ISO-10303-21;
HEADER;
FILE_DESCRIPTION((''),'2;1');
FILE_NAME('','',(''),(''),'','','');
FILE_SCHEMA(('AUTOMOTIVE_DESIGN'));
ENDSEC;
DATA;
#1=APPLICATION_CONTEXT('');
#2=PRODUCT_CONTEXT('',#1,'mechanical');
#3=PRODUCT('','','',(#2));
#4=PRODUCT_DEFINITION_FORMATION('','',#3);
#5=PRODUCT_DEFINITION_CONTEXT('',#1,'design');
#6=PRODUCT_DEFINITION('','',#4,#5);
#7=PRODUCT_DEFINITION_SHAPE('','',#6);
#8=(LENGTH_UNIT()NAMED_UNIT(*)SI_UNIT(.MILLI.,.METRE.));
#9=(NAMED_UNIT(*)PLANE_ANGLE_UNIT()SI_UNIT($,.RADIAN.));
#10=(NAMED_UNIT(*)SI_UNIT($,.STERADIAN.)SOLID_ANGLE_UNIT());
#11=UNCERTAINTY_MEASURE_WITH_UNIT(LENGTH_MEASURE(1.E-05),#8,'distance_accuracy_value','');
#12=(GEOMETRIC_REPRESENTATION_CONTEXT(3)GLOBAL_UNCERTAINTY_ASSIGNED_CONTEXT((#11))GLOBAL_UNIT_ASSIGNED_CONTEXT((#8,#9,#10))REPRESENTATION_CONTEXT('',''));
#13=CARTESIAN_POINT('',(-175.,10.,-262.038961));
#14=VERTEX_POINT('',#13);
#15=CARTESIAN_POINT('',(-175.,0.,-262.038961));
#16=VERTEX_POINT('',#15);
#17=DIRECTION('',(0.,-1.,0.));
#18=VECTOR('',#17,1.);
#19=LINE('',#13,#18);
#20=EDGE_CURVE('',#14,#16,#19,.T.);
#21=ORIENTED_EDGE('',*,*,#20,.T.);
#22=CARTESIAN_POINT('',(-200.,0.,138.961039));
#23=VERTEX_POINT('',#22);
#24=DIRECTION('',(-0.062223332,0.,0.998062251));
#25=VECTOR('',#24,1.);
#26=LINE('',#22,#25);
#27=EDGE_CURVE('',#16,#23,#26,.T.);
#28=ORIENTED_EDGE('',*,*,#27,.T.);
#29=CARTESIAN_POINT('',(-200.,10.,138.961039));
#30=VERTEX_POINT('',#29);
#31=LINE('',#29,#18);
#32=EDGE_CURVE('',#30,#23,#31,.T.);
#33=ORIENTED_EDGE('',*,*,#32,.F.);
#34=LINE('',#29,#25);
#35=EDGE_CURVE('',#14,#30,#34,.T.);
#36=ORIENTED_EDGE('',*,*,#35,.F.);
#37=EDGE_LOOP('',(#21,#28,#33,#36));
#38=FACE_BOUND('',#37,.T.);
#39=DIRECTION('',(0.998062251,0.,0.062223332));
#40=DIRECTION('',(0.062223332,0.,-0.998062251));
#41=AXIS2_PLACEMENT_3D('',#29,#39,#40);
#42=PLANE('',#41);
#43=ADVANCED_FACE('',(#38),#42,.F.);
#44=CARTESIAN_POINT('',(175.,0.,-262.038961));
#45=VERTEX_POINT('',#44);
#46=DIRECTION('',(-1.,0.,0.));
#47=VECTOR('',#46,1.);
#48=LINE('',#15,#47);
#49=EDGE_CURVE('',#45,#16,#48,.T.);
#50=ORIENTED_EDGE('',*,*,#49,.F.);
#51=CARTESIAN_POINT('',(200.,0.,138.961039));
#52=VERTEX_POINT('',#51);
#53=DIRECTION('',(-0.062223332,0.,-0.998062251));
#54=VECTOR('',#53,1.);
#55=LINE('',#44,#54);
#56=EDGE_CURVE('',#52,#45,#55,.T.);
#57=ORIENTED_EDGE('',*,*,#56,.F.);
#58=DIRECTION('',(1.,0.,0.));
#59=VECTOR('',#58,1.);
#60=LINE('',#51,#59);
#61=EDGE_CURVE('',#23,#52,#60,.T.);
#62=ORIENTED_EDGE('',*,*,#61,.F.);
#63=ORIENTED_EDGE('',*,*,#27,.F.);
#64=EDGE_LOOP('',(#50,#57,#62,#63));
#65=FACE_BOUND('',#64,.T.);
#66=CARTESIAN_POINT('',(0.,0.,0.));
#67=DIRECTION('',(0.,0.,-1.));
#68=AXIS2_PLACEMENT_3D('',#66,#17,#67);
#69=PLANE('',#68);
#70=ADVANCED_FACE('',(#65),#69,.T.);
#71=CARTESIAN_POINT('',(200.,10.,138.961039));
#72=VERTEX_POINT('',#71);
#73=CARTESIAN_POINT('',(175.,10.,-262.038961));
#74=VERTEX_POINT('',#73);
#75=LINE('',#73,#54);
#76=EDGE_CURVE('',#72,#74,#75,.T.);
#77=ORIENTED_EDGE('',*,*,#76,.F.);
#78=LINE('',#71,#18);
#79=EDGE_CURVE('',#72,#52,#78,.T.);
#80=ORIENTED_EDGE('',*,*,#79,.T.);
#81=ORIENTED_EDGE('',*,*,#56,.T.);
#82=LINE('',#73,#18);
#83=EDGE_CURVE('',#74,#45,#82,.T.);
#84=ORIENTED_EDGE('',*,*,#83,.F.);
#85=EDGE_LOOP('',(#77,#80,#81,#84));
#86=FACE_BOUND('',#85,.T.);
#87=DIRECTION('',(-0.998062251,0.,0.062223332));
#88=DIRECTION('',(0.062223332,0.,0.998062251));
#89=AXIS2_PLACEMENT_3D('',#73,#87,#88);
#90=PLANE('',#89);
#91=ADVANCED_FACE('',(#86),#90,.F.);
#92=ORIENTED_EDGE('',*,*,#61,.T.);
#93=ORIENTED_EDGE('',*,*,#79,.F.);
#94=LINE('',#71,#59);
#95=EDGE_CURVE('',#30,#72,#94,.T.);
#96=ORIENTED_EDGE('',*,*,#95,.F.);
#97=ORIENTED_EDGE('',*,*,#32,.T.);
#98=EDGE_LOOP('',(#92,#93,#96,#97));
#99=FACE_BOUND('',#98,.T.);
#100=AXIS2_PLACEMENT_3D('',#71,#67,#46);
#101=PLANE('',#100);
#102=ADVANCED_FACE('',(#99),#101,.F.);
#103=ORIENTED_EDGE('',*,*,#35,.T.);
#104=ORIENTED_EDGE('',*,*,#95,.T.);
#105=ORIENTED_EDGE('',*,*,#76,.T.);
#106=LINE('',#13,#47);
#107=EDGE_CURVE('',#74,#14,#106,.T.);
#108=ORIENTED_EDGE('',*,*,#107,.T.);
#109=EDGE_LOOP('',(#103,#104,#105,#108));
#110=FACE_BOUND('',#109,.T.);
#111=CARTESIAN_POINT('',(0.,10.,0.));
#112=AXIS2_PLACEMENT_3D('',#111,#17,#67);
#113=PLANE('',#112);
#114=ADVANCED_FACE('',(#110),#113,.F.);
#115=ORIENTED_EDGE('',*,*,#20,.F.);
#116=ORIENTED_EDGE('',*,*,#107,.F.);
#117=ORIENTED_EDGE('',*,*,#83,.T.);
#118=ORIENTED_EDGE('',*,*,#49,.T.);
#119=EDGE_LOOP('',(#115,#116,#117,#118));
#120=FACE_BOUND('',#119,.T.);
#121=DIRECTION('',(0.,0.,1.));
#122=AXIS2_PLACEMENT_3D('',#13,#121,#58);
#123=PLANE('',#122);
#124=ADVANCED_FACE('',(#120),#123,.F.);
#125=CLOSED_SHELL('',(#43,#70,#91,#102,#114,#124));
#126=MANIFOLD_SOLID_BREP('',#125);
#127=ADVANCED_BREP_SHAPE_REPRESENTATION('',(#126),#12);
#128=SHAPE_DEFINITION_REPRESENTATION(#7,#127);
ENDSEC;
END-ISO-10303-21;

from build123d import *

# Parameters (mm, degrees)
DODANIE_WYCI_GNI_CIE1_DEPTH = 10


with BuildPart() as part:
    # Szkic1 → Dodanie-wyciągnięcie1 (new body)
    with BuildSketch(Plane(origin=(0, 0, 0), x_dir=(1, 0, 0), z_dir=(0, 1, 0))):
        Polygon((-200, -138.961038961), (-175, 262.038961039), (175, 262.038961039), (200, -138.961038961), align=None)
    extrude(amount=DODANIE_WYCI_GNI_CIE1_DEPTH)


solid = part.part
